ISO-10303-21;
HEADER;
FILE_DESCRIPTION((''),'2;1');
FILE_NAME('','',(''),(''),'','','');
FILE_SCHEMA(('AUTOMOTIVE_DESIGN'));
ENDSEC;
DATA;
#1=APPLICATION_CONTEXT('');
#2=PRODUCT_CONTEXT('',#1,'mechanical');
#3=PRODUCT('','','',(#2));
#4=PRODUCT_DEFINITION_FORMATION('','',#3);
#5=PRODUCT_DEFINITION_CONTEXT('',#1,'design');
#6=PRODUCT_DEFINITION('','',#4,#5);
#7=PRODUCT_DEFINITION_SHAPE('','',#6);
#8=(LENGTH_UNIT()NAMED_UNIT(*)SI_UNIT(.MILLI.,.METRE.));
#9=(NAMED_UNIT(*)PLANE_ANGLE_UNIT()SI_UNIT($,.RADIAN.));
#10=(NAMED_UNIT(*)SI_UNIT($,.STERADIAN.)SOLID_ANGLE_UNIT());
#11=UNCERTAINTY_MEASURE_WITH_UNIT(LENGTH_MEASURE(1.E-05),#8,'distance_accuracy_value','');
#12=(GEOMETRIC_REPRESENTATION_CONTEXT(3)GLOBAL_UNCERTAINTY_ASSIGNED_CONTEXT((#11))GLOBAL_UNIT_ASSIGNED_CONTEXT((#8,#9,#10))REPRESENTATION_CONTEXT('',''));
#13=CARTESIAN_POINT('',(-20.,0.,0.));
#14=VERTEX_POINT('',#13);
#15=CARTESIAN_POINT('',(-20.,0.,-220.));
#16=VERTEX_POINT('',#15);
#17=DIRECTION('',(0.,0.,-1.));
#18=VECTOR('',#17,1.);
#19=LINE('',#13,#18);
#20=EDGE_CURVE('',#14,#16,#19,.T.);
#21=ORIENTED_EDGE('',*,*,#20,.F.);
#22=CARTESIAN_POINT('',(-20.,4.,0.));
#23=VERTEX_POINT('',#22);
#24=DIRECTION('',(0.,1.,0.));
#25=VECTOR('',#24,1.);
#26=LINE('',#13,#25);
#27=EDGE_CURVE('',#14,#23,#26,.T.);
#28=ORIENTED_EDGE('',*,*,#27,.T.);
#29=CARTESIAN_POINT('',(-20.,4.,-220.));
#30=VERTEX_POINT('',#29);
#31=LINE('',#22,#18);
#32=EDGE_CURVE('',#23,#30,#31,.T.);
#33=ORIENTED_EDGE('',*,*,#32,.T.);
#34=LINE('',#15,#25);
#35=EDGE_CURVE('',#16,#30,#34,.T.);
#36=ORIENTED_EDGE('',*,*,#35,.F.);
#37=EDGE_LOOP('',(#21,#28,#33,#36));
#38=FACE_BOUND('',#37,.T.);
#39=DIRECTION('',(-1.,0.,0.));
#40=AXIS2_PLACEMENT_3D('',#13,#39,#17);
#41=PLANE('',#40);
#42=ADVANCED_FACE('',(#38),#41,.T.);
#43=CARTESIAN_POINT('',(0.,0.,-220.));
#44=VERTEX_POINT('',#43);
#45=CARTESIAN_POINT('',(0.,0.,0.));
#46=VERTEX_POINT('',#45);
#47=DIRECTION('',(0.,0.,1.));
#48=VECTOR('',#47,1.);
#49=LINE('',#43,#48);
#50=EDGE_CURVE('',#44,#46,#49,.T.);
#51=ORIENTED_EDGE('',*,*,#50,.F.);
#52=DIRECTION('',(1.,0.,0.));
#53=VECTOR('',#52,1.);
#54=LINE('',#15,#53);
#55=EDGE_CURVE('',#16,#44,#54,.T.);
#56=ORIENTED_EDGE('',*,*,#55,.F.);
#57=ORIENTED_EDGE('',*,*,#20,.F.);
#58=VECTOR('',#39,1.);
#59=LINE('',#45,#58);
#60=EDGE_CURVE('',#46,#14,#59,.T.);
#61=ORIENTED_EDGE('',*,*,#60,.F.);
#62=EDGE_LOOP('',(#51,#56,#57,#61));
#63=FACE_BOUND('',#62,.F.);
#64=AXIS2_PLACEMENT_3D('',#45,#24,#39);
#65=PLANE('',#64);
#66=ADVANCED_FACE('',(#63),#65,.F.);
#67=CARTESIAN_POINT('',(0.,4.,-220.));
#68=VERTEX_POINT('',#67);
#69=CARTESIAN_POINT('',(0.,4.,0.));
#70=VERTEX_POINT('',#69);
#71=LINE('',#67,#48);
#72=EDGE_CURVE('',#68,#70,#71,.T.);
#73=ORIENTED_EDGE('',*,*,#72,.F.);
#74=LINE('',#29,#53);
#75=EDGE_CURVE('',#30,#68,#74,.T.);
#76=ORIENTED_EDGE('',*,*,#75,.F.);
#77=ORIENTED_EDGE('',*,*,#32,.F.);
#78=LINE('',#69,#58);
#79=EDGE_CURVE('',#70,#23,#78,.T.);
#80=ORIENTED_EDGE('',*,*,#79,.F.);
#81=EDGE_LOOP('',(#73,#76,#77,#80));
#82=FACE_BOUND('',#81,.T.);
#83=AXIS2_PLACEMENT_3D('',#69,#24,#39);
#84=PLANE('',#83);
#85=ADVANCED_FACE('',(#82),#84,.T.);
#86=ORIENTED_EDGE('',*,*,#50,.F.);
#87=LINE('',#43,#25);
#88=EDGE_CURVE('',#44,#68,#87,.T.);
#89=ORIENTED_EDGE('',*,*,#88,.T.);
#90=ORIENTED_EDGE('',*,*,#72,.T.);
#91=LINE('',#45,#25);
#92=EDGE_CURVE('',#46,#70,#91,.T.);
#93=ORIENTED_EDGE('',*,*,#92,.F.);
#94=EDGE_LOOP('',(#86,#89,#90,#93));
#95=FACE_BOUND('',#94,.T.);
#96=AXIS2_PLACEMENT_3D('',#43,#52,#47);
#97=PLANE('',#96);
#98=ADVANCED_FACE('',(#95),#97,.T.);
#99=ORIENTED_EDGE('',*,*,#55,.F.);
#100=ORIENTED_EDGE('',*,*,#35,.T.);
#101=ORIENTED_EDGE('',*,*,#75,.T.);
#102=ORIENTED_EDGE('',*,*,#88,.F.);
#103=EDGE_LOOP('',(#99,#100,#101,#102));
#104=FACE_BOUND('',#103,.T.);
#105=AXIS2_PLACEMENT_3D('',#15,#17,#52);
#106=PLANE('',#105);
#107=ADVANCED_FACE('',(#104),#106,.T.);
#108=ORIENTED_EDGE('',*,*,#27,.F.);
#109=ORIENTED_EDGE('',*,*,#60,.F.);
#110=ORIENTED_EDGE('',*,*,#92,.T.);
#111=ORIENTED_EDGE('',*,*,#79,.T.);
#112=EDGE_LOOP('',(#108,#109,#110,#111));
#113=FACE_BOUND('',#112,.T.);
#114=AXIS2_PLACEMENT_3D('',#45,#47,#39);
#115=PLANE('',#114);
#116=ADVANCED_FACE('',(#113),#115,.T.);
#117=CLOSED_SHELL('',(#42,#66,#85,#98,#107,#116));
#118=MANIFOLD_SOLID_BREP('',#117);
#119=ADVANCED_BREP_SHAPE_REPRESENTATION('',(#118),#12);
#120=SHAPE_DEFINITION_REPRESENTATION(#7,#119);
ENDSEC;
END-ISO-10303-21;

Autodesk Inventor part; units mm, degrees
ref_plane "YZ Plane" through (0, 0, 0) normal (1, 0, 0) x (0, 1, 0)
ref_plane "XZ Plane" through (0, 0, 0) normal (0, 1, 0) x (-1, 0, 0)
ref_plane "XY Plane" through (0, 0, 0) normal (0, 0, 1) x (1, 0, 0)
sketch "Эскиз1" plane through (0, 0, 0) normal (0, 1, 0) x (-1, 0, 0)
  line L0 (0, 0) -> (20, 0)
  line L1 (20, 0) -> (20, -220)
  line L2 (20, -220) -> (0, -220)
  line L3 (0, -220) -> (0, 0)
  dimension "d0" = 20
  dimension "d1" = 220
extrude "Выдавливание1" add sketch "Эскиз1" along normal blind 4
properties part number "Podlozhka"
